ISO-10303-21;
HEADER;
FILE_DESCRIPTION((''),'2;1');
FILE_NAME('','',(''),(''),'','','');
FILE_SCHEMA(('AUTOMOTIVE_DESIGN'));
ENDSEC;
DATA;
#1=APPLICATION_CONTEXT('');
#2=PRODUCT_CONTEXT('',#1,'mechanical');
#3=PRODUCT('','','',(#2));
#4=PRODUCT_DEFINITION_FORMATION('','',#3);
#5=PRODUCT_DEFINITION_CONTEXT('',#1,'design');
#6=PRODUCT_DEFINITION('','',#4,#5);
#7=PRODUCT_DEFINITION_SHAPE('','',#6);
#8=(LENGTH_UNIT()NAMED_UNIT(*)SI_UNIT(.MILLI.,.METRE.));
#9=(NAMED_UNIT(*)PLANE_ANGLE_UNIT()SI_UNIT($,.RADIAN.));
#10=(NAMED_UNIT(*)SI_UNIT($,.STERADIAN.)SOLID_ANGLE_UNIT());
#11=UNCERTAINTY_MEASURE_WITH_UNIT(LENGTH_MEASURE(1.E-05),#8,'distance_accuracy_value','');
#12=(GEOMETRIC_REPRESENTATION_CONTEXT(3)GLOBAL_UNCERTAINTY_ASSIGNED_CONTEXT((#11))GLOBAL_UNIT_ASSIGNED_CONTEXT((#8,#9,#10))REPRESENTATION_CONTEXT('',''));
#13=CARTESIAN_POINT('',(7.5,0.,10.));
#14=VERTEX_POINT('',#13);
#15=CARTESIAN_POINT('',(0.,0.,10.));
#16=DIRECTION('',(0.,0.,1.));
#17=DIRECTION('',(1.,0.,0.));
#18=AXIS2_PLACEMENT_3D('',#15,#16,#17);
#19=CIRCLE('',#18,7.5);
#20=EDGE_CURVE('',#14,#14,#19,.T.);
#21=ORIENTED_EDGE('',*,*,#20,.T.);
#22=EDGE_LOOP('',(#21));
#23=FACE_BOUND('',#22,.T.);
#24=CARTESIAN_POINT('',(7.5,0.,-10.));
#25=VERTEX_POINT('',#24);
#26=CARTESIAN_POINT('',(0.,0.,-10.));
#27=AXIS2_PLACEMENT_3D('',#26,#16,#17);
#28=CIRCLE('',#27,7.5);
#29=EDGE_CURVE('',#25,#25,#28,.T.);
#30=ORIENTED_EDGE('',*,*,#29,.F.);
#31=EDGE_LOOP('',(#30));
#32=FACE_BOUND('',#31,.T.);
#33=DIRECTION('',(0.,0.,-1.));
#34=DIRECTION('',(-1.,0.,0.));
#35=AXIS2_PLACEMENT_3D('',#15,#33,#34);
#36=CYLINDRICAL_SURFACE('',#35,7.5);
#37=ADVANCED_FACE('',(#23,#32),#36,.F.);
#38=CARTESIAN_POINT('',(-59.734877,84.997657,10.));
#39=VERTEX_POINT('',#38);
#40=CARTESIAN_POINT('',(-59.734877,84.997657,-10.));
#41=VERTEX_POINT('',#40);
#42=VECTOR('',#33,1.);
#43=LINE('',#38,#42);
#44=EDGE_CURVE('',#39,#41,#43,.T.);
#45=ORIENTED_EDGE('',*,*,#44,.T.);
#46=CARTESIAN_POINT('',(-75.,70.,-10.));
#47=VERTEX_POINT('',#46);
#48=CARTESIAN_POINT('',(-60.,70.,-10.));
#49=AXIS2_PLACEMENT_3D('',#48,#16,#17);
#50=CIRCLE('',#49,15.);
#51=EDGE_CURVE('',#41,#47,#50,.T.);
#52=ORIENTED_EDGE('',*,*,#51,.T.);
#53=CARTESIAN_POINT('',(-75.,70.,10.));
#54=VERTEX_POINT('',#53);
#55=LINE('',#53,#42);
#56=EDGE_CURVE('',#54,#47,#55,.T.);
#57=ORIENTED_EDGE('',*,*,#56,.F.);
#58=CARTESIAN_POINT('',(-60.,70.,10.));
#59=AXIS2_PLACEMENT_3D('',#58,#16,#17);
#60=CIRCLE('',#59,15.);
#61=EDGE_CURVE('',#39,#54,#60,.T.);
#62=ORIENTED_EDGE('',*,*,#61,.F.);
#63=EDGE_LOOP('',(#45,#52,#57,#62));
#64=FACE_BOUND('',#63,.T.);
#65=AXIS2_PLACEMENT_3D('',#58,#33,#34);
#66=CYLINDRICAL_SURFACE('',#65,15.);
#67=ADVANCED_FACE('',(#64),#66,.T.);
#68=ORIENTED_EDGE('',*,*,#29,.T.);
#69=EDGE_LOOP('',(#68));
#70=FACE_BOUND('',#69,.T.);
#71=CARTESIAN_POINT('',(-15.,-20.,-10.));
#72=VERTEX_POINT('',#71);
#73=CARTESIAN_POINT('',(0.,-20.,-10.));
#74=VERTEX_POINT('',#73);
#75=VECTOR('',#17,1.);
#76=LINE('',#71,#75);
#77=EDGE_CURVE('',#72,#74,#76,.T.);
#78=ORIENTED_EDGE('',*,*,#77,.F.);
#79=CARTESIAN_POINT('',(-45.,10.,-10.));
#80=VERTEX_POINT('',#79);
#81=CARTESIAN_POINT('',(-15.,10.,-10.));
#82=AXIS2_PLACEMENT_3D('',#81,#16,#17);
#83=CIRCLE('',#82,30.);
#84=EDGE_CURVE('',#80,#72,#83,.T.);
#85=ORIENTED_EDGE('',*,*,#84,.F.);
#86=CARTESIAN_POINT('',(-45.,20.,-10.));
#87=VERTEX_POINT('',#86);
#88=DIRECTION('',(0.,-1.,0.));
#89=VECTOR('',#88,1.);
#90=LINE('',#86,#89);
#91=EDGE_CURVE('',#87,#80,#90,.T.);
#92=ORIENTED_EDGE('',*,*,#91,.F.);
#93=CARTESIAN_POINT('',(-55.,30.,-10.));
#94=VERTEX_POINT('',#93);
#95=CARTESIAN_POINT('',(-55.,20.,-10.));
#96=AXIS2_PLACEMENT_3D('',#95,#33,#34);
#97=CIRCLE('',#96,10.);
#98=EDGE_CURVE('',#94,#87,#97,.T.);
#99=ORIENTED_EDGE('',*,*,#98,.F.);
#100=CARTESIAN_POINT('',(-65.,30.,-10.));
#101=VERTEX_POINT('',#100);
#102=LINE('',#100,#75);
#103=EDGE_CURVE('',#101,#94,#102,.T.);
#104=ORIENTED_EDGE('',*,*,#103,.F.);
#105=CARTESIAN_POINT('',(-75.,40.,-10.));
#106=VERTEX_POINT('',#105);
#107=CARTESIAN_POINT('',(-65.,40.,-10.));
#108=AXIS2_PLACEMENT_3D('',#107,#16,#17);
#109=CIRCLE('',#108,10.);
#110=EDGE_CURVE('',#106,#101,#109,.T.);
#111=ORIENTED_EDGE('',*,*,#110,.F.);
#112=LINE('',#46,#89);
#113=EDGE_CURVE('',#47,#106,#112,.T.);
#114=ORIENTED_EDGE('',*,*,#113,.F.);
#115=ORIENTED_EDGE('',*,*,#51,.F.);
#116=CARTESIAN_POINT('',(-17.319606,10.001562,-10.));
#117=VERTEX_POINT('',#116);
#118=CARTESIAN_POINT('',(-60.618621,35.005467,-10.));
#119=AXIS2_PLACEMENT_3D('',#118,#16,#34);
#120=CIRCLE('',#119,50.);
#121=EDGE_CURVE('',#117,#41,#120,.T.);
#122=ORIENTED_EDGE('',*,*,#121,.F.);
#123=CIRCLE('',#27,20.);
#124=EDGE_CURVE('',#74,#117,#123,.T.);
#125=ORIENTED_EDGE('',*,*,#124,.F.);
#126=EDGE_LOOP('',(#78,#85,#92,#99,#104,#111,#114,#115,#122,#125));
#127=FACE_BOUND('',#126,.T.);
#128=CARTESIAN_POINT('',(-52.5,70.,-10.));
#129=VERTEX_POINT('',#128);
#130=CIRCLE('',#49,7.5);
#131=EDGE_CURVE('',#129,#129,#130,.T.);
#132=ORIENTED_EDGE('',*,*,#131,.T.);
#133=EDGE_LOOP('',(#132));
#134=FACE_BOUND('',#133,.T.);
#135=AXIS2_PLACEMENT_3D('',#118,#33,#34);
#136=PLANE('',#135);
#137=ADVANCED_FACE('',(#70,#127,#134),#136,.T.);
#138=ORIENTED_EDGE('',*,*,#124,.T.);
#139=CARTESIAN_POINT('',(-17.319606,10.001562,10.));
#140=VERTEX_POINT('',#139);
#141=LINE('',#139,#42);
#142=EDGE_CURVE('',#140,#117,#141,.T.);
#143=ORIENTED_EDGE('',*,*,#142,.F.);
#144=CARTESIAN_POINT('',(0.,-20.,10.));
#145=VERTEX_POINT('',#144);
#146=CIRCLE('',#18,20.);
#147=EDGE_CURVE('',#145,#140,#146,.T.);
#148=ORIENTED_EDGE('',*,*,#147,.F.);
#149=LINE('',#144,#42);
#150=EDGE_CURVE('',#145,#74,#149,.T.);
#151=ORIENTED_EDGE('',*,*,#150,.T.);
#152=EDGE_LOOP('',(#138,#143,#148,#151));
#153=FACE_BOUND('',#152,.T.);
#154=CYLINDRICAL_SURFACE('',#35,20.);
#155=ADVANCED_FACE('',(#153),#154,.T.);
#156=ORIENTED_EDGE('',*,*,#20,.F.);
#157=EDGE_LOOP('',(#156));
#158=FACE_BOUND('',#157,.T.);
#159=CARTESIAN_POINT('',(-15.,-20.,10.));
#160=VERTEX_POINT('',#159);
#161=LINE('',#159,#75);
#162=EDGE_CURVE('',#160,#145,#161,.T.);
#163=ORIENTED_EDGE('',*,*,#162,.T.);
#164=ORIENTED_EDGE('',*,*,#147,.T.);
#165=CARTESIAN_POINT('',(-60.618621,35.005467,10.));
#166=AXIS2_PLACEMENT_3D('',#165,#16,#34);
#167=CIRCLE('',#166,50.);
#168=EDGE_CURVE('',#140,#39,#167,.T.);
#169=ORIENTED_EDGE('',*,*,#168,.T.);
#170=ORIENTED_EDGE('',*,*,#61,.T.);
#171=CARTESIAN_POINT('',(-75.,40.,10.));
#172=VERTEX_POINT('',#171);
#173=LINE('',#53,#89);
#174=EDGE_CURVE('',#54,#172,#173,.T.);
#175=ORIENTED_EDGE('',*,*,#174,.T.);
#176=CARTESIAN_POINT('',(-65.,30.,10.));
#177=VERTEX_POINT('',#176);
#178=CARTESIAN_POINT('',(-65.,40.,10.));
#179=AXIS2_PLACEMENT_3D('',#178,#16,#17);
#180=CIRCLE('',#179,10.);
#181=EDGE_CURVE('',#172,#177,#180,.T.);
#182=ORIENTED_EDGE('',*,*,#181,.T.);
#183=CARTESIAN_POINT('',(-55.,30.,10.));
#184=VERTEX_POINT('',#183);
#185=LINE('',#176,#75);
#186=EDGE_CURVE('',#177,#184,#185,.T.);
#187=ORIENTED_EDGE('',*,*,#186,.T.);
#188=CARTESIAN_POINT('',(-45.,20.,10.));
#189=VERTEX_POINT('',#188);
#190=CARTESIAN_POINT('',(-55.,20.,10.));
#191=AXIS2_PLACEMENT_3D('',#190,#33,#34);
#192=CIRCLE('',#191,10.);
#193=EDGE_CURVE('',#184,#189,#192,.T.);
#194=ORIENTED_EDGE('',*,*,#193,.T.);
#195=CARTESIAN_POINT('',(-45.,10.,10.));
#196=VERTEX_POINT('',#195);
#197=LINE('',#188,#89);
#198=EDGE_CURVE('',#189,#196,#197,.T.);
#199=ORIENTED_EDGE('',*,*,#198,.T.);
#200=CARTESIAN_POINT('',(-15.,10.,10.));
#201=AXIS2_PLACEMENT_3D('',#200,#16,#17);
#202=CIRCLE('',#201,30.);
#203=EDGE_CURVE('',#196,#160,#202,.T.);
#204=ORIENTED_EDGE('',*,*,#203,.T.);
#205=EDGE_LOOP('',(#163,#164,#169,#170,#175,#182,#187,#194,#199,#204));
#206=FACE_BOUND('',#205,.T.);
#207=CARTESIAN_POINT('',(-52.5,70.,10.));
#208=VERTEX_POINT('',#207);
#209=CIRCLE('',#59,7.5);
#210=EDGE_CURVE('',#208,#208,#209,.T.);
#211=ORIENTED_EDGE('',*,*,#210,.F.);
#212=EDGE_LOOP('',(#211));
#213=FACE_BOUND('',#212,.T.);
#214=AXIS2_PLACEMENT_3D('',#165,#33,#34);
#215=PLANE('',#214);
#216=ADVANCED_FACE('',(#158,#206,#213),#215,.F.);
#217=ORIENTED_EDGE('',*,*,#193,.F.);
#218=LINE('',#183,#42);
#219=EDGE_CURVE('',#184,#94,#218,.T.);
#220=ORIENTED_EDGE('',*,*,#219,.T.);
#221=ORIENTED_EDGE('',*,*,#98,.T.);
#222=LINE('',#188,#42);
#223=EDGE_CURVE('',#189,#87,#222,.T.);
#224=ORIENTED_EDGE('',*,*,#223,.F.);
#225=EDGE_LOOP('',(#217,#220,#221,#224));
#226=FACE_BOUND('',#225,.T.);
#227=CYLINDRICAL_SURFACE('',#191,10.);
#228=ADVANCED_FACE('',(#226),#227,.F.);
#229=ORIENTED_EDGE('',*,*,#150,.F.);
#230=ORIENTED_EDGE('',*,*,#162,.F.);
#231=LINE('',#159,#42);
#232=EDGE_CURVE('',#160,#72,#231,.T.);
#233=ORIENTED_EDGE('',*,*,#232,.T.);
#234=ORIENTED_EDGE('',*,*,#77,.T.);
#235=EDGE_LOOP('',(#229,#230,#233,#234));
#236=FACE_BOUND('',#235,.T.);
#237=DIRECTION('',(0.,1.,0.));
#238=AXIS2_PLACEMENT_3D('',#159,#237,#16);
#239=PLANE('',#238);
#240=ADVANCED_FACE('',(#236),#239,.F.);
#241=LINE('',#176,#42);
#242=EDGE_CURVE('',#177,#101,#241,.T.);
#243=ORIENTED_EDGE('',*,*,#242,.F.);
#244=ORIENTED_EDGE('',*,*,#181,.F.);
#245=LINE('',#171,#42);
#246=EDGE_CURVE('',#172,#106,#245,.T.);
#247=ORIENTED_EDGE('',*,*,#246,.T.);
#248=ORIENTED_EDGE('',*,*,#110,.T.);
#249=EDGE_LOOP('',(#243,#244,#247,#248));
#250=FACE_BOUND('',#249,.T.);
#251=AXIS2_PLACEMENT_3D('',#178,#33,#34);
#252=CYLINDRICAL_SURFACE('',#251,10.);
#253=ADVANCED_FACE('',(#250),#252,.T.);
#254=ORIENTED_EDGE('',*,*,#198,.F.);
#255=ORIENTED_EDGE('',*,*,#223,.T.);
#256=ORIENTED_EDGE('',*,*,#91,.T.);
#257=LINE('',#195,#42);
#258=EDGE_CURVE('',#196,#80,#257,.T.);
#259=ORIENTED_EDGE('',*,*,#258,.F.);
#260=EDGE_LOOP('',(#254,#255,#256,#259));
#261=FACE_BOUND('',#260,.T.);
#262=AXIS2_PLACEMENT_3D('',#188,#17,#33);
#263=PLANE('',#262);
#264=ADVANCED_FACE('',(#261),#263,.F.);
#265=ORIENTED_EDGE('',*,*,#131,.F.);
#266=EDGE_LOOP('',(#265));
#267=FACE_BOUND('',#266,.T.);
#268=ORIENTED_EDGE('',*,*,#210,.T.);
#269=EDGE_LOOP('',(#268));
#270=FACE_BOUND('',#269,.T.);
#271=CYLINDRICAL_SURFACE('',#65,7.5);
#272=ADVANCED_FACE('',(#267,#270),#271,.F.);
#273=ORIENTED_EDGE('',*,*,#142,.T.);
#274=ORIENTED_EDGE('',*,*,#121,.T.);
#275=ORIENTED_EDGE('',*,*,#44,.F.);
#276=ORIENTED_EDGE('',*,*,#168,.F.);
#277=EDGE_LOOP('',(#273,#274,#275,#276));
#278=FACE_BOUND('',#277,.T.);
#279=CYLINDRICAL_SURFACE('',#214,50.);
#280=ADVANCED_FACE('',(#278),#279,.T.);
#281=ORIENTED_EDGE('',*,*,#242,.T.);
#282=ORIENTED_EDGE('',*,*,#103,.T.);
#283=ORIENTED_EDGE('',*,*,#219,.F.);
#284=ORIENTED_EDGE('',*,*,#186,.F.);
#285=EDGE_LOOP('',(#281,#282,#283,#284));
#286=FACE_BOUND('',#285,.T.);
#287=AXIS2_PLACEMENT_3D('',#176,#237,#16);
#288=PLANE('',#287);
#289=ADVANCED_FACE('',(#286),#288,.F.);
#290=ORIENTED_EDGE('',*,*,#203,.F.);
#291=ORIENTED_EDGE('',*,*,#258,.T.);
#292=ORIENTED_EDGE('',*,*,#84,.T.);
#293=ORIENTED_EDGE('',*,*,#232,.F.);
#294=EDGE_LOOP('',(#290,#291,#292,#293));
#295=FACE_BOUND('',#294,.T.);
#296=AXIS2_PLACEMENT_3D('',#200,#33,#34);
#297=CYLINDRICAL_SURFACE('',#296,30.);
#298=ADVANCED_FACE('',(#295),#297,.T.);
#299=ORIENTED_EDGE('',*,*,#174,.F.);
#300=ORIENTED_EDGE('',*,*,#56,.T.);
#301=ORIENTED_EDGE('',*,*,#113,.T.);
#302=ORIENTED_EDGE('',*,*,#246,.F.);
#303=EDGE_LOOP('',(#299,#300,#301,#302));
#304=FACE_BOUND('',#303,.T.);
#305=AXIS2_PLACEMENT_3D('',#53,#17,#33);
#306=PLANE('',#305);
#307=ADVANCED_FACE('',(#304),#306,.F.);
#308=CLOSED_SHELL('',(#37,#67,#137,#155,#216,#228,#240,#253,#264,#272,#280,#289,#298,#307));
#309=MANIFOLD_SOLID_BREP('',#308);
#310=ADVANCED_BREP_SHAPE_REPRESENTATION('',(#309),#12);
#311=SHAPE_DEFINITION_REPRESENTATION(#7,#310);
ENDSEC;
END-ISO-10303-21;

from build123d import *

# Parameters (mm, degrees)
SKETCH1_R           = 7.5
BOSS_EXTRUDE1_DEPTH = 10


with BuildPart() as part:
    # Sketch1 → Boss-Extrude1 (new, symmetric)
    with BuildSketch(Plane.XY):
        with BuildLine():
            Line((-75, 70), (-75, 40))
            ThreePointArc((-75, 40), (-72.071067812, 32.928932188), (-65, 30))
            Line((-65, 30), (-55, 30))
            ThreePointArc((-55, 30), (-47.928932188, 27.071067812), (-45, 20))
            Line((-45, 20), (-45, 10))
            ThreePointArc((-45, 10), (-36.213203436, -11.213203436), (-15, -20))
            Line((-15, -20), (0, -20))
            ThreePointArc((0, -20), (17.320959018, 9.999218904), (-17.319606085, 10.001562131))
            ThreePointArc((-17.319606085, 10.001562131), (-17.096987337, 59.619840851), (-59.734876587, 84.997656803))
            ThreePointArc((-59.734876587, 84.997656803), (-70.512448545, 80.699926429), (-75, 70))
        make_face()
        Circle(SKETCH1_R, mode=Mode.SUBTRACT)
        with Locations((-60, 70)):
            Circle(SKETCH1_R, mode=Mode.SUBTRACT)
    extrude(amount=BOSS_EXTRUDE1_DEPTH, both=True)


solid = part.part
